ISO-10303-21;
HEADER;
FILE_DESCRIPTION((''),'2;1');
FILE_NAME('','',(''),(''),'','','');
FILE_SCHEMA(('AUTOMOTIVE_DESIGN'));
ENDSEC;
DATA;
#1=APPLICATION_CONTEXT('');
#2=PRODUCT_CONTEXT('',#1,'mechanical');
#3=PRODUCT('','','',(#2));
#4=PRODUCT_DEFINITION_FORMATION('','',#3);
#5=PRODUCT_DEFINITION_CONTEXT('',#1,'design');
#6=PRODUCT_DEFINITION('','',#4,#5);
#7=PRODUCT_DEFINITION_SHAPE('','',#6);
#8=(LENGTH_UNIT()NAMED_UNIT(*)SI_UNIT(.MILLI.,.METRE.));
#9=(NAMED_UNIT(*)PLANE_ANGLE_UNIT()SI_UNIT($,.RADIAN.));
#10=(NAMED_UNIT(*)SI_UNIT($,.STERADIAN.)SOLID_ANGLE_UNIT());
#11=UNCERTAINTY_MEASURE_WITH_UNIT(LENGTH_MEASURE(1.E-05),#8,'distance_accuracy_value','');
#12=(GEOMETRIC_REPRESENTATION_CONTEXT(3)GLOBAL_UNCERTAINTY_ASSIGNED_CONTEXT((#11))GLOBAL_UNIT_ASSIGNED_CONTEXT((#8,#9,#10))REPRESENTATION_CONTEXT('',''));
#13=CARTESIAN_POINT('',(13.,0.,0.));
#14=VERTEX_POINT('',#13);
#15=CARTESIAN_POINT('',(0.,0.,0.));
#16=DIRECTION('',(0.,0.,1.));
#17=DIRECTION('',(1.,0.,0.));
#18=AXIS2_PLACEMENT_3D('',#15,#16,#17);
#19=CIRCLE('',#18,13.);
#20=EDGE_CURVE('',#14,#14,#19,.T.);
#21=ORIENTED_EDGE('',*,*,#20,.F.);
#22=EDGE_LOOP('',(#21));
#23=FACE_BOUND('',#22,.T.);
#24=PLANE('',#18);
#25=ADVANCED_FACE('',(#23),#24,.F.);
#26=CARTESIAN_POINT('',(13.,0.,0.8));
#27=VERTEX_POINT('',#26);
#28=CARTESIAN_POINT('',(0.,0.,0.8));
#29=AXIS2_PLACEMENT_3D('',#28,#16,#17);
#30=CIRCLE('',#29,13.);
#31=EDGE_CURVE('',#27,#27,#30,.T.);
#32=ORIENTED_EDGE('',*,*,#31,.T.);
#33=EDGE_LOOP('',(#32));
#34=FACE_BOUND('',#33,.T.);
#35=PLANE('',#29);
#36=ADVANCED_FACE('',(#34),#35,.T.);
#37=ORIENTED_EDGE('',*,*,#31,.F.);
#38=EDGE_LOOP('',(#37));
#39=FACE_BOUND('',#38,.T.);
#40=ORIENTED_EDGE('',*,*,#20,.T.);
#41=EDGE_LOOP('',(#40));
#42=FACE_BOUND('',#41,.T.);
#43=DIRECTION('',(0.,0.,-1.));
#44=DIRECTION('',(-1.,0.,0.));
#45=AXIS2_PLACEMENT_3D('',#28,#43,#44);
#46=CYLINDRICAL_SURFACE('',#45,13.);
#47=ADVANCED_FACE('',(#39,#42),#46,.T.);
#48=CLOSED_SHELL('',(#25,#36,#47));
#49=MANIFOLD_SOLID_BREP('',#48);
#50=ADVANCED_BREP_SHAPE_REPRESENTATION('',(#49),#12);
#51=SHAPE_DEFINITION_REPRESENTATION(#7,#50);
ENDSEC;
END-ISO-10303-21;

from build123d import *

# Parameters (mm, degrees)
SKETCH1_R           = 13
BOSS_EXTRUDE1_DEPTH = 0.8


with BuildPart() as part:
    # Sketch1 → Boss-Extrude1 (new body)
    with BuildSketch(Plane.XY):
        Circle(SKETCH1_R)
    extrude(amount=BOSS_EXTRUDE1_DEPTH)


solid = part.part
